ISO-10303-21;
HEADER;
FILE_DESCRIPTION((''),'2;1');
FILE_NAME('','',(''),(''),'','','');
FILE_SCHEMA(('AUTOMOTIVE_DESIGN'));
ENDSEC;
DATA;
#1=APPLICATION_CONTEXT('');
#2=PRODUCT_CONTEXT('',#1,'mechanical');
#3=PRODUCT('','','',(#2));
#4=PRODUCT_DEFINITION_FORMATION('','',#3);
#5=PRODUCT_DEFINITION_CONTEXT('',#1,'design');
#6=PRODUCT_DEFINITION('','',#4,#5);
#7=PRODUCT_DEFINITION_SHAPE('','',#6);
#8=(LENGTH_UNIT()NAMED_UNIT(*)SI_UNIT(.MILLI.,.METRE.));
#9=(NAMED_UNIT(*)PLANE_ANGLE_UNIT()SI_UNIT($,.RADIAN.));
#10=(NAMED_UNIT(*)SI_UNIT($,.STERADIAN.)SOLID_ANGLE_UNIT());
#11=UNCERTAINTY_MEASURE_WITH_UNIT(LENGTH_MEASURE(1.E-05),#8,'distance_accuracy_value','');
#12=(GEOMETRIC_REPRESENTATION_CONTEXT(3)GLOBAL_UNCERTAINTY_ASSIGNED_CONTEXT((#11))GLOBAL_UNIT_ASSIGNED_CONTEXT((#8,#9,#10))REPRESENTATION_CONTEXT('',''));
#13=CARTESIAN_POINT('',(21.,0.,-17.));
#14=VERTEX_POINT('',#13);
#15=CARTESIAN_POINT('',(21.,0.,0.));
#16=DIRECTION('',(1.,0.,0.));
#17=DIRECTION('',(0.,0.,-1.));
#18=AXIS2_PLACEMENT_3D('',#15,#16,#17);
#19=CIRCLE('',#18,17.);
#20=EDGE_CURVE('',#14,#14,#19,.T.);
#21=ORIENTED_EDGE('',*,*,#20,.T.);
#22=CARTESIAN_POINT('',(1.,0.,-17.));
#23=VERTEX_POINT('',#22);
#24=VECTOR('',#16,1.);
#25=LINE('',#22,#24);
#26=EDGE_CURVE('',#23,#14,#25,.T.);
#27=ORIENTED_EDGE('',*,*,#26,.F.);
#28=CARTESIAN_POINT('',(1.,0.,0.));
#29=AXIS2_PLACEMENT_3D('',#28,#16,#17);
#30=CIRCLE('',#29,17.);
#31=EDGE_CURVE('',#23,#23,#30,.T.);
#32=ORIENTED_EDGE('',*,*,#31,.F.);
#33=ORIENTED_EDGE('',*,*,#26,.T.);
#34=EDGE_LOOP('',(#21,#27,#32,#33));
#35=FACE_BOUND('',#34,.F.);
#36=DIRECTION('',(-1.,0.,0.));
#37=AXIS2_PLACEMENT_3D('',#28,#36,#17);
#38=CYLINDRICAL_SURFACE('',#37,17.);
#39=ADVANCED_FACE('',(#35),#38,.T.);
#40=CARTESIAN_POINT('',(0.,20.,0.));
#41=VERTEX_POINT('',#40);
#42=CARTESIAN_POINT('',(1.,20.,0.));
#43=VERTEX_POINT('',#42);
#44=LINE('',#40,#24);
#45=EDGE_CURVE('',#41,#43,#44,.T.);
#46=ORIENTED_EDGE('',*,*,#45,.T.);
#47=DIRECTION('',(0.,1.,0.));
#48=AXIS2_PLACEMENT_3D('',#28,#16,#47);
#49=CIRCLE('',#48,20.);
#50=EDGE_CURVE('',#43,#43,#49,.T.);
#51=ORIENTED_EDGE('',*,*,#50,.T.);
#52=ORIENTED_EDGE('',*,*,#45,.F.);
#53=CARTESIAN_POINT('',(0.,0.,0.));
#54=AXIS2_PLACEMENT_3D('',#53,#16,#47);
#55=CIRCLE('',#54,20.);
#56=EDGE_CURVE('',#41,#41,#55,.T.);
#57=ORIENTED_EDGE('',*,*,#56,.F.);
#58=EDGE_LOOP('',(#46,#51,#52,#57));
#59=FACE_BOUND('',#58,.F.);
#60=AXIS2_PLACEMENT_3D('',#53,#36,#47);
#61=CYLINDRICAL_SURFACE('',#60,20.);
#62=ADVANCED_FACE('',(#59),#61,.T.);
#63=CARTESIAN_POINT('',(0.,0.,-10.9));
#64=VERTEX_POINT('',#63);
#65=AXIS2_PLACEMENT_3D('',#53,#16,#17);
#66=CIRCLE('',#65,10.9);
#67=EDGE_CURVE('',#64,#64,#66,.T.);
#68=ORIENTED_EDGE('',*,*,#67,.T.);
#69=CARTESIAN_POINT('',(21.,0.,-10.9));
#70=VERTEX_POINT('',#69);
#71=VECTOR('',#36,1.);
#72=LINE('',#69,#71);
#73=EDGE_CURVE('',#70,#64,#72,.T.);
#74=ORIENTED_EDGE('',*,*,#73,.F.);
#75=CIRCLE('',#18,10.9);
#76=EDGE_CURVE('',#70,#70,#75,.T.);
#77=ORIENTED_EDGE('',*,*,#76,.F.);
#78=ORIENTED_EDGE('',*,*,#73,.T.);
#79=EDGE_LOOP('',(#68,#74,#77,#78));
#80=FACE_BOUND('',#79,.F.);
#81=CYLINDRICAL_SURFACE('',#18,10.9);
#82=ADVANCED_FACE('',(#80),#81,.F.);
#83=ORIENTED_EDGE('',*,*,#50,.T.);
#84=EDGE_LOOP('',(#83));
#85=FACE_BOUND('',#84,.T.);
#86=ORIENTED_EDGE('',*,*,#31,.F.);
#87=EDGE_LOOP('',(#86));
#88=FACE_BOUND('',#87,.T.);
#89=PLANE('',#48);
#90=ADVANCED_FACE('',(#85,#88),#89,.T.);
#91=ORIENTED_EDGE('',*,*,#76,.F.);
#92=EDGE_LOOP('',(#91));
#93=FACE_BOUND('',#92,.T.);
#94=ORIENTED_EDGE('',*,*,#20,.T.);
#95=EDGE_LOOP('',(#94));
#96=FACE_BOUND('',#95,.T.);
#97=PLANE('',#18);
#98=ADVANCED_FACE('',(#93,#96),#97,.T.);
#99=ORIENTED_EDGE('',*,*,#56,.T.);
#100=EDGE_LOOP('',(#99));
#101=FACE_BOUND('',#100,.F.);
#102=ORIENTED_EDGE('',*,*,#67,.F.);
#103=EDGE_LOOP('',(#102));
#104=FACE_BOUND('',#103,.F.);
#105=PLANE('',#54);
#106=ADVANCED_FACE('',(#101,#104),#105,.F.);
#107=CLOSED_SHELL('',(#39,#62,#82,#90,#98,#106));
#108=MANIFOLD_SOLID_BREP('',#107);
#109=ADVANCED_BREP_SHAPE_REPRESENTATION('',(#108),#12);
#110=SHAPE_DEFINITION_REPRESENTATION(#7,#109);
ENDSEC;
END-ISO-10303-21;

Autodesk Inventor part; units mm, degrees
ref_plane "YZ Plane" through (0, 0, 0) normal (1, 0, 0) x (0, 1, 0)
ref_plane "XZ Plane" through (0, 0, 0) normal (0, 1, 0) x (-1, 0, 0)
ref_plane "XY Plane" through (0, 0, 0) normal (0, 0, 1) x (1, 0, 0)
sketch "Skizze1" plane through (0, 0, 0) normal (1, 0, 0) x (0, 1, 0)
  circle A0 centre (0, 0) radius 20
  dimension "d0" = 40
extrude "Extrusion1" add sketch "Skizze1" along normal blind 1
sketch "Skizze2" plane through (1, 0, 0) normal (1, 0, 0) x (0, 0, -1)
  circle A0 centre (0, 0) radius 20 projected
  circle A1 centre (0, 0) radius 17
  dimension "d3" = 34
extrude "Extrusion2" add sketch "Skizze2" along normal blind 20 contours A1
sketch "Skizze5" plane through (0, 0, 0) normal (-1, 0, 0) x (0, 0, 1)
  circle A0 centre (0, 0) radius 20 projected
  circle A1 centre (0, 0) radius 5
  dimension "d12" = 10
extrude "Extrusion5" add sketch "Skizze5" along normal blind 10 contours A1
sketch "Skizze6" plane through (21, 0, 0) normal (1, 0, 0) x (0, 0, -1)
  circle A0 centre (0, 0) radius 17 projected
  circle A1 centre (0, 0) radius 10.9
  dimension "d15" = 21.8
extrude "Extrusion6" cut sketch "Skizze6" against normal through all contours A1
properties part number "Rolle_schieber21.8 ipt"
